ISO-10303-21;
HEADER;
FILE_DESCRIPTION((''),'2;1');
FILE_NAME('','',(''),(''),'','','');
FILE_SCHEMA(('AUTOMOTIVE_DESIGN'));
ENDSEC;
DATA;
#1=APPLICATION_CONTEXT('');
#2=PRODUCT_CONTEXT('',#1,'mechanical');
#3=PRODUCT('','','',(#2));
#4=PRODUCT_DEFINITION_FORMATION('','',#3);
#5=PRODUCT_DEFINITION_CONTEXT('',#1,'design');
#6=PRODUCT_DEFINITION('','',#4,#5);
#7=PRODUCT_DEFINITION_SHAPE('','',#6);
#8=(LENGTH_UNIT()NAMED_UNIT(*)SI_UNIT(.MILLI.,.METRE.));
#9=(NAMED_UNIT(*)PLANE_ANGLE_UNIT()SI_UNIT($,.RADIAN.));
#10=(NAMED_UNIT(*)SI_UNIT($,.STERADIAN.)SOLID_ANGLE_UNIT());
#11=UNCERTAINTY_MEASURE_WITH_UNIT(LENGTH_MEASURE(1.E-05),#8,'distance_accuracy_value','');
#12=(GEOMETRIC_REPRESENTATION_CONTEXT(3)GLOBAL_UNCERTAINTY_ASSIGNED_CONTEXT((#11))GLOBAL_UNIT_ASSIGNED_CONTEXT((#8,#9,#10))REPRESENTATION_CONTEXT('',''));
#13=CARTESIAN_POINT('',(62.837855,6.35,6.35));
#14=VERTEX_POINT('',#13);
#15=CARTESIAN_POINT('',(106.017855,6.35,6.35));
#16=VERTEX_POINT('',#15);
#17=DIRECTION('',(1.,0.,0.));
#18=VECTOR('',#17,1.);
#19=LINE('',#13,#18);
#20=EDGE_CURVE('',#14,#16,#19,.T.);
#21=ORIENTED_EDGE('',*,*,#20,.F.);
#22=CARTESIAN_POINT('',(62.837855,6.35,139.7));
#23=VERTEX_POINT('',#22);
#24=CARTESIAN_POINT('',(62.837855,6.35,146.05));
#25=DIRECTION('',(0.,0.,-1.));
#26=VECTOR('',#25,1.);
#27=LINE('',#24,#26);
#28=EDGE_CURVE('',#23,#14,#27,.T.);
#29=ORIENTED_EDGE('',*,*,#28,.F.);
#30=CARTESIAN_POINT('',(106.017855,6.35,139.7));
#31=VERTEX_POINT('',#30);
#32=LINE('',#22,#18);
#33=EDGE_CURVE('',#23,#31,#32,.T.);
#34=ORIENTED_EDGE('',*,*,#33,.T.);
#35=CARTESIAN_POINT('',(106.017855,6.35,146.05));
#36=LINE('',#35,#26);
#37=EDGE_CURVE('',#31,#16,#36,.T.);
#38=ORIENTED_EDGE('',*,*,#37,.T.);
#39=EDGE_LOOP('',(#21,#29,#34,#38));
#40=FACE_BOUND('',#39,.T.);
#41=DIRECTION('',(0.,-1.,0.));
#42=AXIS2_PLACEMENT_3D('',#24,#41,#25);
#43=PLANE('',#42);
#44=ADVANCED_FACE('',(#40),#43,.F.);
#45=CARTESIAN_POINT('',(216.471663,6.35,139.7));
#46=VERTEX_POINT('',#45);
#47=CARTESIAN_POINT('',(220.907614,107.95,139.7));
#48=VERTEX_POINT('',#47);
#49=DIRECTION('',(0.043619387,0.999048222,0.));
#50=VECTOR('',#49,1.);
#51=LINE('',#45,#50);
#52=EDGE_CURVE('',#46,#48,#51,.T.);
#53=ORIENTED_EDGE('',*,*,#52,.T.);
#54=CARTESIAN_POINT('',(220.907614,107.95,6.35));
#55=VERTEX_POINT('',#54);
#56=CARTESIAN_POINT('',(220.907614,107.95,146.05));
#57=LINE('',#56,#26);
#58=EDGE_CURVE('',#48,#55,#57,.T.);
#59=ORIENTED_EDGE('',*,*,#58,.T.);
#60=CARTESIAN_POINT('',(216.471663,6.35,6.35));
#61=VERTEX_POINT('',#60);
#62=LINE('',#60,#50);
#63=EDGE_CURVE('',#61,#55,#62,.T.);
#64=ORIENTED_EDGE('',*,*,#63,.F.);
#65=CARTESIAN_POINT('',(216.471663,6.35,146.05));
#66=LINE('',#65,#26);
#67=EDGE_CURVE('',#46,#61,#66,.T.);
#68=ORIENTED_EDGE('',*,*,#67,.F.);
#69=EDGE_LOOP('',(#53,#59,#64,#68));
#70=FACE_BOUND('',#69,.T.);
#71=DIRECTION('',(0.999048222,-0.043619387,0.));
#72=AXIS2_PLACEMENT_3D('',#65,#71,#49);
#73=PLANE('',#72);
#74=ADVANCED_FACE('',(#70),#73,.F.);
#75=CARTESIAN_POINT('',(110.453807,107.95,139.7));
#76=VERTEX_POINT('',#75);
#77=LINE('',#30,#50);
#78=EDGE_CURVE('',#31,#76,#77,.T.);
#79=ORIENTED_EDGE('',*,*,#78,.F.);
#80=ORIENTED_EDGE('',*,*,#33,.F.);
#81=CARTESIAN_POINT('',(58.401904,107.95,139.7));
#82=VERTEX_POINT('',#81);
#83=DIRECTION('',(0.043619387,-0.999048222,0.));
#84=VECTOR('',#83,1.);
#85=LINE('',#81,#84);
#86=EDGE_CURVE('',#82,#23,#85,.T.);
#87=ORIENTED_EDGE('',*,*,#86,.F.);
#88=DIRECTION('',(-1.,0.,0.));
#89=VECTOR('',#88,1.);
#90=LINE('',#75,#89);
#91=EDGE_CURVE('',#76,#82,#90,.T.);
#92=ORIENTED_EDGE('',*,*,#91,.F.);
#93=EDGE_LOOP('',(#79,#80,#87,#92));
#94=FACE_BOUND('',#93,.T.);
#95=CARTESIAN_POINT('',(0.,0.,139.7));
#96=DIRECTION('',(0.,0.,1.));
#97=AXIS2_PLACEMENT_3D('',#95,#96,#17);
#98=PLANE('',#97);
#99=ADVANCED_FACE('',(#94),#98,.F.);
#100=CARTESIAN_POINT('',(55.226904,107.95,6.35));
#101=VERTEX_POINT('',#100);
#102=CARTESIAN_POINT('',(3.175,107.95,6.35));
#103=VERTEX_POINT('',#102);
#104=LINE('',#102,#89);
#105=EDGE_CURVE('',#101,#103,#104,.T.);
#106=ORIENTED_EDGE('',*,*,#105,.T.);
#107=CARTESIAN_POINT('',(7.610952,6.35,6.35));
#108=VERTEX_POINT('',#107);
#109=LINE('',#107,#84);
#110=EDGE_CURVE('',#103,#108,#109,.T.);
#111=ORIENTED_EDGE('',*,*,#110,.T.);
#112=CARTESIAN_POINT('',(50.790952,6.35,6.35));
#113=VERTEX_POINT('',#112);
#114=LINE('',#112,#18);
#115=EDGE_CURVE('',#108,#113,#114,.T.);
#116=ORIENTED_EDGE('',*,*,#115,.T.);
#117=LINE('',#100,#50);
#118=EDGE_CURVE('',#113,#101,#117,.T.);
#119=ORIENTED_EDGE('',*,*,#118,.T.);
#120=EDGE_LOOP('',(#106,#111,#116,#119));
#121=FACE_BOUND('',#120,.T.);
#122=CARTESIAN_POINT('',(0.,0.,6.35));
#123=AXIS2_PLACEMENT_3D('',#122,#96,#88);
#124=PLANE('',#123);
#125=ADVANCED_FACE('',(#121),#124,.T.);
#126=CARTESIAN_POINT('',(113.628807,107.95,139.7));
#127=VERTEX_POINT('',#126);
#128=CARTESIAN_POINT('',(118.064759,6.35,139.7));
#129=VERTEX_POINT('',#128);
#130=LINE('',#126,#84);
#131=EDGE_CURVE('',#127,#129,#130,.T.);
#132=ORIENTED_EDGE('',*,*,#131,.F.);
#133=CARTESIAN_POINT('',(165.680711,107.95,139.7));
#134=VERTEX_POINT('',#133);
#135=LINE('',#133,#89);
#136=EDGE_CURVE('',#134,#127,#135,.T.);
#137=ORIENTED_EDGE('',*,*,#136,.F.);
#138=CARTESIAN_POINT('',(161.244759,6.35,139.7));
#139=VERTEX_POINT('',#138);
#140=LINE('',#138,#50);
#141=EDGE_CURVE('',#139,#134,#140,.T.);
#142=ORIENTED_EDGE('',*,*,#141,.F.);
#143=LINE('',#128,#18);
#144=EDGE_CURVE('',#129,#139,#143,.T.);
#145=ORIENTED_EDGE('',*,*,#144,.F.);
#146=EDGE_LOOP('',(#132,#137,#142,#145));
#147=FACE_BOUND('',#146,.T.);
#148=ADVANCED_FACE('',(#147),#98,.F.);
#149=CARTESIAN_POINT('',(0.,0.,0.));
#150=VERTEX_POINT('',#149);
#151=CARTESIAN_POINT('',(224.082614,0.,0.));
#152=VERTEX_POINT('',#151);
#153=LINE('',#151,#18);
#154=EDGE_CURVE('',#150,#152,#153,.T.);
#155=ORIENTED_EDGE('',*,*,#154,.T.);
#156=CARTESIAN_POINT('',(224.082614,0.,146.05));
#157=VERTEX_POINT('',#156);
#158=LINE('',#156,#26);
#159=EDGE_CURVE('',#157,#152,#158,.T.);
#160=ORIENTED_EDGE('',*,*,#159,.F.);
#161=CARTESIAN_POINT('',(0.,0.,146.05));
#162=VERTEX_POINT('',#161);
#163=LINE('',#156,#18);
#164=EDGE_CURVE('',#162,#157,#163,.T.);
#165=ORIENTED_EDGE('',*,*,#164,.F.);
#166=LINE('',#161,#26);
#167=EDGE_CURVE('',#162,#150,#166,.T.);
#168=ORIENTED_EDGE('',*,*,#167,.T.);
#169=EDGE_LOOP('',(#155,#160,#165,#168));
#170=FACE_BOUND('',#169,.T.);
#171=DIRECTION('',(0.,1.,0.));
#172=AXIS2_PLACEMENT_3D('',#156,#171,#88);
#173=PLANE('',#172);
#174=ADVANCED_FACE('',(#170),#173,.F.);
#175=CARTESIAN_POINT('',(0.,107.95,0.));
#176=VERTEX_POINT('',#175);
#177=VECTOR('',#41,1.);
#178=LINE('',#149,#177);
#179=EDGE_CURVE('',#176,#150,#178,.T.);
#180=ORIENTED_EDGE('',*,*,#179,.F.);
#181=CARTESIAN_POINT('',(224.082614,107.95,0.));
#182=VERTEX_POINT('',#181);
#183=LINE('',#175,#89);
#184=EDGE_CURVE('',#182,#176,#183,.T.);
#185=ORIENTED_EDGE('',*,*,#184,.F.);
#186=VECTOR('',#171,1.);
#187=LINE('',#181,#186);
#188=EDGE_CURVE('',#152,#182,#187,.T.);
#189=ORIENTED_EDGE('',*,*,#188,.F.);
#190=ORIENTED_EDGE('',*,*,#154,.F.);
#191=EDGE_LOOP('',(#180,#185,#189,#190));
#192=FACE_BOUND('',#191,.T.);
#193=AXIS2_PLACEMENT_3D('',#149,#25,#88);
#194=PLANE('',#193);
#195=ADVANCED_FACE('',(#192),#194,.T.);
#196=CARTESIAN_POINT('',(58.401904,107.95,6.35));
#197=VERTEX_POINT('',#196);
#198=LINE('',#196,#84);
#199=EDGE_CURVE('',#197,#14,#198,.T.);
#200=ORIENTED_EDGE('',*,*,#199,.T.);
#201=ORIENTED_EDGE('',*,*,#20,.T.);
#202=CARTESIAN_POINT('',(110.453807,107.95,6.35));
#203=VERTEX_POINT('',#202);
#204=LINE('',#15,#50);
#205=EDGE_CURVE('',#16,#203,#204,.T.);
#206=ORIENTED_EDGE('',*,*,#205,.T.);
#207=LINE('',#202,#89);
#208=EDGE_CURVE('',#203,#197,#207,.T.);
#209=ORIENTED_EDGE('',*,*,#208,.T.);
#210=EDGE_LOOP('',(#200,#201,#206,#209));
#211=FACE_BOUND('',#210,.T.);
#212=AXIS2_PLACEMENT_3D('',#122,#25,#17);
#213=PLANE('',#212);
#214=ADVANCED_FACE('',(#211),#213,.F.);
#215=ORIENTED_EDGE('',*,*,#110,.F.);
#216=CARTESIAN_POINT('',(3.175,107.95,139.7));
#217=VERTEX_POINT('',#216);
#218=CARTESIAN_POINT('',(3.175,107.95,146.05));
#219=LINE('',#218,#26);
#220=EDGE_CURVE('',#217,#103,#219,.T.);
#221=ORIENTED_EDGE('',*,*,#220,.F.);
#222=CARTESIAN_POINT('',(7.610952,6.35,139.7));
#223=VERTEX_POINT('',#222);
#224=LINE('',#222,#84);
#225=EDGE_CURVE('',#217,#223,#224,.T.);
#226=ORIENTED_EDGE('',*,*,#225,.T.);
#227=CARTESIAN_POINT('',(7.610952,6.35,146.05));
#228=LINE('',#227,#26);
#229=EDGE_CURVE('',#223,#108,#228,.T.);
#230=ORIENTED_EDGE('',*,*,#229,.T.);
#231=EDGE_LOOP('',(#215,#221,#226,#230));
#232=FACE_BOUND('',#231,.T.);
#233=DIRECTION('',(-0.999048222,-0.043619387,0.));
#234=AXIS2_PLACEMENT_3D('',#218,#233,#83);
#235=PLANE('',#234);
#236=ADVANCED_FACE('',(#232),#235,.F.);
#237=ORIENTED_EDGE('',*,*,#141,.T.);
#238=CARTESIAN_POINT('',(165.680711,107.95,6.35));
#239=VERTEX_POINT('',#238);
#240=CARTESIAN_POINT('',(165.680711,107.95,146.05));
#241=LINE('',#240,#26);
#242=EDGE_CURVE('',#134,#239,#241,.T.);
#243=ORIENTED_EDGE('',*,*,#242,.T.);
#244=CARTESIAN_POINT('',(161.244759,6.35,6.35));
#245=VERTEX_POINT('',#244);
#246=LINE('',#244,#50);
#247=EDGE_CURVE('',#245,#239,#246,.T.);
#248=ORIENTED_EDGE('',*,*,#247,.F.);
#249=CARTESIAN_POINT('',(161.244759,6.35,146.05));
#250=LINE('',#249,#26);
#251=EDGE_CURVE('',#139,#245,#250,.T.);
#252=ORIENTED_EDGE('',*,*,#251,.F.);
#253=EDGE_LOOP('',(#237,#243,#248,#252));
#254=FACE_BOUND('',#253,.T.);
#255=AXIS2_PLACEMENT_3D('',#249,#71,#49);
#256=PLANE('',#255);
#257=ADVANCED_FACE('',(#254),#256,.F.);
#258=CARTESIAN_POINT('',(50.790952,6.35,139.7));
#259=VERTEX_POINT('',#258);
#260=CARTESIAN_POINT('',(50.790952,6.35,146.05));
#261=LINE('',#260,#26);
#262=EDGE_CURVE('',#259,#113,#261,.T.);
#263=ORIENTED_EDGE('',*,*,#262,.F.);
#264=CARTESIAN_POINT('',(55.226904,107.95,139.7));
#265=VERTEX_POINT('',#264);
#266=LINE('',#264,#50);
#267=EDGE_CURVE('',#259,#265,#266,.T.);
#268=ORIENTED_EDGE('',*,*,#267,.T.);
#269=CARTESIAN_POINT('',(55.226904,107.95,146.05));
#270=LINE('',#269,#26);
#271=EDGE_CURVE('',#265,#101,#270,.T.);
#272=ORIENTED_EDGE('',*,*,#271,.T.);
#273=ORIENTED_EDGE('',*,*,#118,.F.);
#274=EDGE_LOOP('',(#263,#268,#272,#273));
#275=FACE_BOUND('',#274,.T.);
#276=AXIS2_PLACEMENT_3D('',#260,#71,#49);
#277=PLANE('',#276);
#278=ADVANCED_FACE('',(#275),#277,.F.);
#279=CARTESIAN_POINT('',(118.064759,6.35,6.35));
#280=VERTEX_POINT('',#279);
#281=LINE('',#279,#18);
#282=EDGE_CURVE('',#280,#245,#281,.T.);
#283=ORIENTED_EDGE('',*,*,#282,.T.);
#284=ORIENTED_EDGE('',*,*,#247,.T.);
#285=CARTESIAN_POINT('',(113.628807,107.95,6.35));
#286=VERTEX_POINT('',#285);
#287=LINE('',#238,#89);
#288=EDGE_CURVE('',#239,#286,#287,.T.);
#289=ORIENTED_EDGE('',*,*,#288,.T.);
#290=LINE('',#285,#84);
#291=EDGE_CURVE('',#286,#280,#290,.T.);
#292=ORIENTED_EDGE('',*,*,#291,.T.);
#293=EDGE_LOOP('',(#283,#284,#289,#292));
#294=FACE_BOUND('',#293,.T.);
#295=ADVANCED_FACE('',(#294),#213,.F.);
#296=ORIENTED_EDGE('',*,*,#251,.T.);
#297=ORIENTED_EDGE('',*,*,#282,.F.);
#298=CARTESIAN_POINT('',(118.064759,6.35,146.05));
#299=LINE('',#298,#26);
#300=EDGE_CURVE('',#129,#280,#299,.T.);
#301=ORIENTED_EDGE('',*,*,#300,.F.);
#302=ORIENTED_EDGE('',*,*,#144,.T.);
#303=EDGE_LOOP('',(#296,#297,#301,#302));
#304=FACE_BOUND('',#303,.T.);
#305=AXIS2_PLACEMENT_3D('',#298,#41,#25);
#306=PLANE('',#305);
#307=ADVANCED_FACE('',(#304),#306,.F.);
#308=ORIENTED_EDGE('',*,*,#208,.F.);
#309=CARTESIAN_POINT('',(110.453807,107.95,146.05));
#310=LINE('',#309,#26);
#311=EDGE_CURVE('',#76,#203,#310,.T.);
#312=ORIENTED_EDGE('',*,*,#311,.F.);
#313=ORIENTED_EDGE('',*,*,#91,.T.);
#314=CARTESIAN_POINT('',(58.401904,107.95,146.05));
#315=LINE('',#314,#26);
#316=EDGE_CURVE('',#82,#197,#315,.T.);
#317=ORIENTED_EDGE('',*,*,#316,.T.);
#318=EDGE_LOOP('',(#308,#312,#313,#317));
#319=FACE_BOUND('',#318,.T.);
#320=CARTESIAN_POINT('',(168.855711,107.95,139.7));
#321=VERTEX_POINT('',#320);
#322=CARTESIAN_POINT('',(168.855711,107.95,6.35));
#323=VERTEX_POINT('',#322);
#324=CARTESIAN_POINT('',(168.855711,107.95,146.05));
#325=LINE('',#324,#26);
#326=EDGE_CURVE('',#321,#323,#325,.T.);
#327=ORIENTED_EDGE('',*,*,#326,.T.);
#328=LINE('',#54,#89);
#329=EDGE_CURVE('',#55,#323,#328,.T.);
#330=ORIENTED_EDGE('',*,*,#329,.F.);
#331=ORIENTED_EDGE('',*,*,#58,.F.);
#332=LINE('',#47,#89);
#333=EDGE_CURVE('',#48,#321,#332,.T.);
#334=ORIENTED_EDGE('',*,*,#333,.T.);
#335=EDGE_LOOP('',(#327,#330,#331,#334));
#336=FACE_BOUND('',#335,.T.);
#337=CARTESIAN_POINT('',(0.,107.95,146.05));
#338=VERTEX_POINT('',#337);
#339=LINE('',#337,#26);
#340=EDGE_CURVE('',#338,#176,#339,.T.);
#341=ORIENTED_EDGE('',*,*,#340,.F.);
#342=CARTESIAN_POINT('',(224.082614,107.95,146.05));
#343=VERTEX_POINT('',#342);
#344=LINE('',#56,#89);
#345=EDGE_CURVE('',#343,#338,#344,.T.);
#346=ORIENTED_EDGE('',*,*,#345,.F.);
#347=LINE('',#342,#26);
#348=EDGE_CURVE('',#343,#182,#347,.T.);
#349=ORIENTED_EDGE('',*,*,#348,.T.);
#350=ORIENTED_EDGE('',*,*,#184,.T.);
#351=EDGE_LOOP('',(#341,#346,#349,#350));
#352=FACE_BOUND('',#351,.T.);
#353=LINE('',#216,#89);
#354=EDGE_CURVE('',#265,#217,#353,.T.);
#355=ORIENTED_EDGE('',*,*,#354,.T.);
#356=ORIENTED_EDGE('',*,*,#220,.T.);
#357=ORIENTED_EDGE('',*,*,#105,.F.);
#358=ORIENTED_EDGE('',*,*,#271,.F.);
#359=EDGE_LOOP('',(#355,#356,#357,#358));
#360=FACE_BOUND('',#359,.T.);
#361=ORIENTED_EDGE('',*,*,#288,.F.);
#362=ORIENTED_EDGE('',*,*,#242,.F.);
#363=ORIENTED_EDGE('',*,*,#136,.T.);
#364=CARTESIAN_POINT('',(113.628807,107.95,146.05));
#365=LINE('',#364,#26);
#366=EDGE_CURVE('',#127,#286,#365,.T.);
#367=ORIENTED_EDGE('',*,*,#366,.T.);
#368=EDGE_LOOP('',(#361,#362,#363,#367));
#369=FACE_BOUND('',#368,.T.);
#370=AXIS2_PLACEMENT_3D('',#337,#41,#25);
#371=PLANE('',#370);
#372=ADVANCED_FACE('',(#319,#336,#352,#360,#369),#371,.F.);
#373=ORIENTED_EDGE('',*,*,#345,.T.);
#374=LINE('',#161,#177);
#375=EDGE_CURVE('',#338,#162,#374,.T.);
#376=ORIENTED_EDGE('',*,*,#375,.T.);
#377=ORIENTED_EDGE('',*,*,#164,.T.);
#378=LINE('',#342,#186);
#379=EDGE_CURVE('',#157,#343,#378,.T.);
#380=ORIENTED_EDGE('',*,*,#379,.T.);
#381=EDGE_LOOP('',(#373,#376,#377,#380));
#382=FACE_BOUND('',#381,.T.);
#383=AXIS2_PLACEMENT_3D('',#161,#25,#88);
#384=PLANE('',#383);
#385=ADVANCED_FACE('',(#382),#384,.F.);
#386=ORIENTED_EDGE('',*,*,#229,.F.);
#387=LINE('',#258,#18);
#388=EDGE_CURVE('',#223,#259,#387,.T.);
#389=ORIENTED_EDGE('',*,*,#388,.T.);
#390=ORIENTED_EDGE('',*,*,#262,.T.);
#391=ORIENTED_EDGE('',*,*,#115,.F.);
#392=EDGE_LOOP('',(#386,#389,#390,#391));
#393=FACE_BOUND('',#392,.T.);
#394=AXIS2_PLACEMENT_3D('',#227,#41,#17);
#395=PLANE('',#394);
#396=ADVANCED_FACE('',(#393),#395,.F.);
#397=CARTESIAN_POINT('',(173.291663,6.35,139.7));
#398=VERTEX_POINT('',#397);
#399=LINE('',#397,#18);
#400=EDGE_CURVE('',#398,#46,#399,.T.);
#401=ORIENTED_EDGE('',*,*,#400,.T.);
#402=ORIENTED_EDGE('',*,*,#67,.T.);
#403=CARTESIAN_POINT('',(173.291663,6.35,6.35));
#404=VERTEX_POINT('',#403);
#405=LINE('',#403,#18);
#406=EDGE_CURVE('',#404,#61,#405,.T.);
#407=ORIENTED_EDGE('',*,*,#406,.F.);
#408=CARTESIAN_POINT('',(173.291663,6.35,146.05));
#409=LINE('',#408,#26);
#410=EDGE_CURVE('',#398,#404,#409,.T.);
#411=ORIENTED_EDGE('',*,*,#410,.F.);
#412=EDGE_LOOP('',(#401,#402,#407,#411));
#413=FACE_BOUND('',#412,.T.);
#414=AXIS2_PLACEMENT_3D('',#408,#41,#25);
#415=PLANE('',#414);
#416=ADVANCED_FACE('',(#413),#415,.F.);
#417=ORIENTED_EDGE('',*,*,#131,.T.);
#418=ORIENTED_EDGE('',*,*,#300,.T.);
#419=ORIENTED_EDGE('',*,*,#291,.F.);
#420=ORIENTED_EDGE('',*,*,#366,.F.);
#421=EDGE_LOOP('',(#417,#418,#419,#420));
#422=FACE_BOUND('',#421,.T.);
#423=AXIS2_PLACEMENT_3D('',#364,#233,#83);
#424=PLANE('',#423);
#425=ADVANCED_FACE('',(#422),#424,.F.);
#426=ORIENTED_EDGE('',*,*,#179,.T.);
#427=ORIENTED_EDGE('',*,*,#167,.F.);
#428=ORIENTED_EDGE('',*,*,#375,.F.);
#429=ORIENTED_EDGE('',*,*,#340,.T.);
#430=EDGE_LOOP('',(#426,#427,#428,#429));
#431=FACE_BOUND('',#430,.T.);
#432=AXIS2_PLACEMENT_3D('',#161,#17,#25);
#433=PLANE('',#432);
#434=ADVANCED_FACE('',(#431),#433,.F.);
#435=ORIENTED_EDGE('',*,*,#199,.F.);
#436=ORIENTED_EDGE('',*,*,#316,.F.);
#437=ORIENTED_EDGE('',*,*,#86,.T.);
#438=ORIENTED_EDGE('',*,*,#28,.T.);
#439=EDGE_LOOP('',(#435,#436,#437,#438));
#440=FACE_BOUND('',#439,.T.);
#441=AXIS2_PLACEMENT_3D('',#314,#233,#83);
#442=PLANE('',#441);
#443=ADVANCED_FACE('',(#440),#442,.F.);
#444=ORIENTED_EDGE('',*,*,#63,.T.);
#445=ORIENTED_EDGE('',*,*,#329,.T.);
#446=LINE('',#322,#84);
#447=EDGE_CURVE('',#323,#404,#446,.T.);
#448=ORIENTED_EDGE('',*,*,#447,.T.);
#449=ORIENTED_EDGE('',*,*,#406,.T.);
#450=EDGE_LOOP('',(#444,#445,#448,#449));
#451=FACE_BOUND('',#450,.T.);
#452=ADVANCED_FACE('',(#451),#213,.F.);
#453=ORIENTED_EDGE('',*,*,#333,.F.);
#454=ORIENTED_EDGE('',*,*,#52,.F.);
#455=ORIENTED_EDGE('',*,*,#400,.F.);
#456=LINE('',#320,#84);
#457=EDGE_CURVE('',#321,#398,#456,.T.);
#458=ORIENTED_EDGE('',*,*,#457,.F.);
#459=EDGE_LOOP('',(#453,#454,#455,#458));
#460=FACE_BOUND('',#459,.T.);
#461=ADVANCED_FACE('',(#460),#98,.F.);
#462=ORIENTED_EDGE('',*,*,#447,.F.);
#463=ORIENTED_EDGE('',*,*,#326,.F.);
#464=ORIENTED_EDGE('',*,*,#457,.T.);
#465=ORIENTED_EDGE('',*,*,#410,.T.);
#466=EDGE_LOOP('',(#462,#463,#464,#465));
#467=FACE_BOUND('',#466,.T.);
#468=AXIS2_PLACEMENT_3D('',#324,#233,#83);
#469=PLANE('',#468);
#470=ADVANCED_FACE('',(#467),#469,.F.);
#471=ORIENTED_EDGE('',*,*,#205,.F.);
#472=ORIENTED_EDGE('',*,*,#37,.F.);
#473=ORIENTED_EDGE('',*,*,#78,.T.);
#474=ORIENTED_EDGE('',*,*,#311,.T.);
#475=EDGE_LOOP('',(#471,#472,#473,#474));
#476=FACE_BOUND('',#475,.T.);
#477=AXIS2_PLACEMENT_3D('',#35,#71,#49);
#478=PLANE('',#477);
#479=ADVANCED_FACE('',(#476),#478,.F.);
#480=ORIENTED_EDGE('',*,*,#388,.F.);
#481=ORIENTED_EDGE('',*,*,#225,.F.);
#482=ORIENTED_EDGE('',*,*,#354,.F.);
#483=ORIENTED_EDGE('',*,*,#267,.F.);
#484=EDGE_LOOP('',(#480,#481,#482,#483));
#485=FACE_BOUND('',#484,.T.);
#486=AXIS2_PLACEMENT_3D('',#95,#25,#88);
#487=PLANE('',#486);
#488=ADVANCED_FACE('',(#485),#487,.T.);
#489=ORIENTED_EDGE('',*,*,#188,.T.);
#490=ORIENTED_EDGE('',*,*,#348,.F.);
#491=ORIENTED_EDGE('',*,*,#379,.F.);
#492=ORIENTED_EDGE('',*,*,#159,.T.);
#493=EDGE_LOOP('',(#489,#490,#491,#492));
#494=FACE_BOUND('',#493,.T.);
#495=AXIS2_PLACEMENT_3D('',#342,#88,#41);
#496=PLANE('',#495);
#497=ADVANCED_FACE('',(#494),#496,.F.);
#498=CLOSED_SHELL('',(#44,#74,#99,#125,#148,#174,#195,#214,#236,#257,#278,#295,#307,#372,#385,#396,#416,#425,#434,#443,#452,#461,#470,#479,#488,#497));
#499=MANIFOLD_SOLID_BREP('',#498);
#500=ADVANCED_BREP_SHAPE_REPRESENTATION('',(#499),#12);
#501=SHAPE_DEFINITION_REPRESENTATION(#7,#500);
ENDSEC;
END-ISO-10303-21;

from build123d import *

# Parameters (mm, degrees)
BOSS_EXTRUDE1_DEPTH = 146.05
BOSS_EXTRUDE2_DEPTH = 6.35


with BuildPart() as part:
    # Sketch1 → Boss-Extrude1 (new body)
    with BuildSketch(Plane.XY):
        Polygon((0, 0), (0, 107.95), (3.175, 107.95), (7.6109518, 6.35), (50.7909518, 6.35), (55.226903599, 107.95), (58.401903599, 107.95), (62.837855399, 6.35), (106.017855399, 6.35), (110.453807198, 107.95), (113.628807198, 107.95), (118.064758998, 6.35), (161.244758998, 6.35), (165.680710797, 107.95), (168.855710797, 107.95), (173.291662597, 6.35), (216.471662597, 6.35), (220.907614396, 107.95), (224.082614396, 107.95), (224.082614396, 0), align=None)
    extrude(amount=BOSS_EXTRUDE1_DEPTH)

    # Sketch2 → Boss-Extrude2 (add)
    with BuildSketch(Plane.XY.offset(146.05)):
        Polygon((3.175, 107.95), (55.226903599, 107.95), (50.7909518, 6.35), (7.6109518, 6.35), align=None)
        Polygon((58.401903599, 107.95), (62.837855399, 6.35), (106.017855399, 6.35), (110.453807198, 107.95), align=None)
        Polygon((113.628807198, 107.95), (118.064758998, 6.35), (161.244758998, 6.35), (165.680710797, 107.95), align=None)
        Polygon((168.855710797, 107.95), (173.291662597, 6.35), (216.471662597, 6.35), (220.907614396, 107.95), align=None)
    boss_extrude2 = extrude(amount=-BOSS_EXTRUDE2_DEPTH)

    # Mirror1: Boss-Extrude2 across plane
    add(boss_extrude2.mirror(Plane(origin=(0, 0, 73.025), x_dir=(1, 0, 0), z_dir=(0, 0, -1))))


solid = part.part
